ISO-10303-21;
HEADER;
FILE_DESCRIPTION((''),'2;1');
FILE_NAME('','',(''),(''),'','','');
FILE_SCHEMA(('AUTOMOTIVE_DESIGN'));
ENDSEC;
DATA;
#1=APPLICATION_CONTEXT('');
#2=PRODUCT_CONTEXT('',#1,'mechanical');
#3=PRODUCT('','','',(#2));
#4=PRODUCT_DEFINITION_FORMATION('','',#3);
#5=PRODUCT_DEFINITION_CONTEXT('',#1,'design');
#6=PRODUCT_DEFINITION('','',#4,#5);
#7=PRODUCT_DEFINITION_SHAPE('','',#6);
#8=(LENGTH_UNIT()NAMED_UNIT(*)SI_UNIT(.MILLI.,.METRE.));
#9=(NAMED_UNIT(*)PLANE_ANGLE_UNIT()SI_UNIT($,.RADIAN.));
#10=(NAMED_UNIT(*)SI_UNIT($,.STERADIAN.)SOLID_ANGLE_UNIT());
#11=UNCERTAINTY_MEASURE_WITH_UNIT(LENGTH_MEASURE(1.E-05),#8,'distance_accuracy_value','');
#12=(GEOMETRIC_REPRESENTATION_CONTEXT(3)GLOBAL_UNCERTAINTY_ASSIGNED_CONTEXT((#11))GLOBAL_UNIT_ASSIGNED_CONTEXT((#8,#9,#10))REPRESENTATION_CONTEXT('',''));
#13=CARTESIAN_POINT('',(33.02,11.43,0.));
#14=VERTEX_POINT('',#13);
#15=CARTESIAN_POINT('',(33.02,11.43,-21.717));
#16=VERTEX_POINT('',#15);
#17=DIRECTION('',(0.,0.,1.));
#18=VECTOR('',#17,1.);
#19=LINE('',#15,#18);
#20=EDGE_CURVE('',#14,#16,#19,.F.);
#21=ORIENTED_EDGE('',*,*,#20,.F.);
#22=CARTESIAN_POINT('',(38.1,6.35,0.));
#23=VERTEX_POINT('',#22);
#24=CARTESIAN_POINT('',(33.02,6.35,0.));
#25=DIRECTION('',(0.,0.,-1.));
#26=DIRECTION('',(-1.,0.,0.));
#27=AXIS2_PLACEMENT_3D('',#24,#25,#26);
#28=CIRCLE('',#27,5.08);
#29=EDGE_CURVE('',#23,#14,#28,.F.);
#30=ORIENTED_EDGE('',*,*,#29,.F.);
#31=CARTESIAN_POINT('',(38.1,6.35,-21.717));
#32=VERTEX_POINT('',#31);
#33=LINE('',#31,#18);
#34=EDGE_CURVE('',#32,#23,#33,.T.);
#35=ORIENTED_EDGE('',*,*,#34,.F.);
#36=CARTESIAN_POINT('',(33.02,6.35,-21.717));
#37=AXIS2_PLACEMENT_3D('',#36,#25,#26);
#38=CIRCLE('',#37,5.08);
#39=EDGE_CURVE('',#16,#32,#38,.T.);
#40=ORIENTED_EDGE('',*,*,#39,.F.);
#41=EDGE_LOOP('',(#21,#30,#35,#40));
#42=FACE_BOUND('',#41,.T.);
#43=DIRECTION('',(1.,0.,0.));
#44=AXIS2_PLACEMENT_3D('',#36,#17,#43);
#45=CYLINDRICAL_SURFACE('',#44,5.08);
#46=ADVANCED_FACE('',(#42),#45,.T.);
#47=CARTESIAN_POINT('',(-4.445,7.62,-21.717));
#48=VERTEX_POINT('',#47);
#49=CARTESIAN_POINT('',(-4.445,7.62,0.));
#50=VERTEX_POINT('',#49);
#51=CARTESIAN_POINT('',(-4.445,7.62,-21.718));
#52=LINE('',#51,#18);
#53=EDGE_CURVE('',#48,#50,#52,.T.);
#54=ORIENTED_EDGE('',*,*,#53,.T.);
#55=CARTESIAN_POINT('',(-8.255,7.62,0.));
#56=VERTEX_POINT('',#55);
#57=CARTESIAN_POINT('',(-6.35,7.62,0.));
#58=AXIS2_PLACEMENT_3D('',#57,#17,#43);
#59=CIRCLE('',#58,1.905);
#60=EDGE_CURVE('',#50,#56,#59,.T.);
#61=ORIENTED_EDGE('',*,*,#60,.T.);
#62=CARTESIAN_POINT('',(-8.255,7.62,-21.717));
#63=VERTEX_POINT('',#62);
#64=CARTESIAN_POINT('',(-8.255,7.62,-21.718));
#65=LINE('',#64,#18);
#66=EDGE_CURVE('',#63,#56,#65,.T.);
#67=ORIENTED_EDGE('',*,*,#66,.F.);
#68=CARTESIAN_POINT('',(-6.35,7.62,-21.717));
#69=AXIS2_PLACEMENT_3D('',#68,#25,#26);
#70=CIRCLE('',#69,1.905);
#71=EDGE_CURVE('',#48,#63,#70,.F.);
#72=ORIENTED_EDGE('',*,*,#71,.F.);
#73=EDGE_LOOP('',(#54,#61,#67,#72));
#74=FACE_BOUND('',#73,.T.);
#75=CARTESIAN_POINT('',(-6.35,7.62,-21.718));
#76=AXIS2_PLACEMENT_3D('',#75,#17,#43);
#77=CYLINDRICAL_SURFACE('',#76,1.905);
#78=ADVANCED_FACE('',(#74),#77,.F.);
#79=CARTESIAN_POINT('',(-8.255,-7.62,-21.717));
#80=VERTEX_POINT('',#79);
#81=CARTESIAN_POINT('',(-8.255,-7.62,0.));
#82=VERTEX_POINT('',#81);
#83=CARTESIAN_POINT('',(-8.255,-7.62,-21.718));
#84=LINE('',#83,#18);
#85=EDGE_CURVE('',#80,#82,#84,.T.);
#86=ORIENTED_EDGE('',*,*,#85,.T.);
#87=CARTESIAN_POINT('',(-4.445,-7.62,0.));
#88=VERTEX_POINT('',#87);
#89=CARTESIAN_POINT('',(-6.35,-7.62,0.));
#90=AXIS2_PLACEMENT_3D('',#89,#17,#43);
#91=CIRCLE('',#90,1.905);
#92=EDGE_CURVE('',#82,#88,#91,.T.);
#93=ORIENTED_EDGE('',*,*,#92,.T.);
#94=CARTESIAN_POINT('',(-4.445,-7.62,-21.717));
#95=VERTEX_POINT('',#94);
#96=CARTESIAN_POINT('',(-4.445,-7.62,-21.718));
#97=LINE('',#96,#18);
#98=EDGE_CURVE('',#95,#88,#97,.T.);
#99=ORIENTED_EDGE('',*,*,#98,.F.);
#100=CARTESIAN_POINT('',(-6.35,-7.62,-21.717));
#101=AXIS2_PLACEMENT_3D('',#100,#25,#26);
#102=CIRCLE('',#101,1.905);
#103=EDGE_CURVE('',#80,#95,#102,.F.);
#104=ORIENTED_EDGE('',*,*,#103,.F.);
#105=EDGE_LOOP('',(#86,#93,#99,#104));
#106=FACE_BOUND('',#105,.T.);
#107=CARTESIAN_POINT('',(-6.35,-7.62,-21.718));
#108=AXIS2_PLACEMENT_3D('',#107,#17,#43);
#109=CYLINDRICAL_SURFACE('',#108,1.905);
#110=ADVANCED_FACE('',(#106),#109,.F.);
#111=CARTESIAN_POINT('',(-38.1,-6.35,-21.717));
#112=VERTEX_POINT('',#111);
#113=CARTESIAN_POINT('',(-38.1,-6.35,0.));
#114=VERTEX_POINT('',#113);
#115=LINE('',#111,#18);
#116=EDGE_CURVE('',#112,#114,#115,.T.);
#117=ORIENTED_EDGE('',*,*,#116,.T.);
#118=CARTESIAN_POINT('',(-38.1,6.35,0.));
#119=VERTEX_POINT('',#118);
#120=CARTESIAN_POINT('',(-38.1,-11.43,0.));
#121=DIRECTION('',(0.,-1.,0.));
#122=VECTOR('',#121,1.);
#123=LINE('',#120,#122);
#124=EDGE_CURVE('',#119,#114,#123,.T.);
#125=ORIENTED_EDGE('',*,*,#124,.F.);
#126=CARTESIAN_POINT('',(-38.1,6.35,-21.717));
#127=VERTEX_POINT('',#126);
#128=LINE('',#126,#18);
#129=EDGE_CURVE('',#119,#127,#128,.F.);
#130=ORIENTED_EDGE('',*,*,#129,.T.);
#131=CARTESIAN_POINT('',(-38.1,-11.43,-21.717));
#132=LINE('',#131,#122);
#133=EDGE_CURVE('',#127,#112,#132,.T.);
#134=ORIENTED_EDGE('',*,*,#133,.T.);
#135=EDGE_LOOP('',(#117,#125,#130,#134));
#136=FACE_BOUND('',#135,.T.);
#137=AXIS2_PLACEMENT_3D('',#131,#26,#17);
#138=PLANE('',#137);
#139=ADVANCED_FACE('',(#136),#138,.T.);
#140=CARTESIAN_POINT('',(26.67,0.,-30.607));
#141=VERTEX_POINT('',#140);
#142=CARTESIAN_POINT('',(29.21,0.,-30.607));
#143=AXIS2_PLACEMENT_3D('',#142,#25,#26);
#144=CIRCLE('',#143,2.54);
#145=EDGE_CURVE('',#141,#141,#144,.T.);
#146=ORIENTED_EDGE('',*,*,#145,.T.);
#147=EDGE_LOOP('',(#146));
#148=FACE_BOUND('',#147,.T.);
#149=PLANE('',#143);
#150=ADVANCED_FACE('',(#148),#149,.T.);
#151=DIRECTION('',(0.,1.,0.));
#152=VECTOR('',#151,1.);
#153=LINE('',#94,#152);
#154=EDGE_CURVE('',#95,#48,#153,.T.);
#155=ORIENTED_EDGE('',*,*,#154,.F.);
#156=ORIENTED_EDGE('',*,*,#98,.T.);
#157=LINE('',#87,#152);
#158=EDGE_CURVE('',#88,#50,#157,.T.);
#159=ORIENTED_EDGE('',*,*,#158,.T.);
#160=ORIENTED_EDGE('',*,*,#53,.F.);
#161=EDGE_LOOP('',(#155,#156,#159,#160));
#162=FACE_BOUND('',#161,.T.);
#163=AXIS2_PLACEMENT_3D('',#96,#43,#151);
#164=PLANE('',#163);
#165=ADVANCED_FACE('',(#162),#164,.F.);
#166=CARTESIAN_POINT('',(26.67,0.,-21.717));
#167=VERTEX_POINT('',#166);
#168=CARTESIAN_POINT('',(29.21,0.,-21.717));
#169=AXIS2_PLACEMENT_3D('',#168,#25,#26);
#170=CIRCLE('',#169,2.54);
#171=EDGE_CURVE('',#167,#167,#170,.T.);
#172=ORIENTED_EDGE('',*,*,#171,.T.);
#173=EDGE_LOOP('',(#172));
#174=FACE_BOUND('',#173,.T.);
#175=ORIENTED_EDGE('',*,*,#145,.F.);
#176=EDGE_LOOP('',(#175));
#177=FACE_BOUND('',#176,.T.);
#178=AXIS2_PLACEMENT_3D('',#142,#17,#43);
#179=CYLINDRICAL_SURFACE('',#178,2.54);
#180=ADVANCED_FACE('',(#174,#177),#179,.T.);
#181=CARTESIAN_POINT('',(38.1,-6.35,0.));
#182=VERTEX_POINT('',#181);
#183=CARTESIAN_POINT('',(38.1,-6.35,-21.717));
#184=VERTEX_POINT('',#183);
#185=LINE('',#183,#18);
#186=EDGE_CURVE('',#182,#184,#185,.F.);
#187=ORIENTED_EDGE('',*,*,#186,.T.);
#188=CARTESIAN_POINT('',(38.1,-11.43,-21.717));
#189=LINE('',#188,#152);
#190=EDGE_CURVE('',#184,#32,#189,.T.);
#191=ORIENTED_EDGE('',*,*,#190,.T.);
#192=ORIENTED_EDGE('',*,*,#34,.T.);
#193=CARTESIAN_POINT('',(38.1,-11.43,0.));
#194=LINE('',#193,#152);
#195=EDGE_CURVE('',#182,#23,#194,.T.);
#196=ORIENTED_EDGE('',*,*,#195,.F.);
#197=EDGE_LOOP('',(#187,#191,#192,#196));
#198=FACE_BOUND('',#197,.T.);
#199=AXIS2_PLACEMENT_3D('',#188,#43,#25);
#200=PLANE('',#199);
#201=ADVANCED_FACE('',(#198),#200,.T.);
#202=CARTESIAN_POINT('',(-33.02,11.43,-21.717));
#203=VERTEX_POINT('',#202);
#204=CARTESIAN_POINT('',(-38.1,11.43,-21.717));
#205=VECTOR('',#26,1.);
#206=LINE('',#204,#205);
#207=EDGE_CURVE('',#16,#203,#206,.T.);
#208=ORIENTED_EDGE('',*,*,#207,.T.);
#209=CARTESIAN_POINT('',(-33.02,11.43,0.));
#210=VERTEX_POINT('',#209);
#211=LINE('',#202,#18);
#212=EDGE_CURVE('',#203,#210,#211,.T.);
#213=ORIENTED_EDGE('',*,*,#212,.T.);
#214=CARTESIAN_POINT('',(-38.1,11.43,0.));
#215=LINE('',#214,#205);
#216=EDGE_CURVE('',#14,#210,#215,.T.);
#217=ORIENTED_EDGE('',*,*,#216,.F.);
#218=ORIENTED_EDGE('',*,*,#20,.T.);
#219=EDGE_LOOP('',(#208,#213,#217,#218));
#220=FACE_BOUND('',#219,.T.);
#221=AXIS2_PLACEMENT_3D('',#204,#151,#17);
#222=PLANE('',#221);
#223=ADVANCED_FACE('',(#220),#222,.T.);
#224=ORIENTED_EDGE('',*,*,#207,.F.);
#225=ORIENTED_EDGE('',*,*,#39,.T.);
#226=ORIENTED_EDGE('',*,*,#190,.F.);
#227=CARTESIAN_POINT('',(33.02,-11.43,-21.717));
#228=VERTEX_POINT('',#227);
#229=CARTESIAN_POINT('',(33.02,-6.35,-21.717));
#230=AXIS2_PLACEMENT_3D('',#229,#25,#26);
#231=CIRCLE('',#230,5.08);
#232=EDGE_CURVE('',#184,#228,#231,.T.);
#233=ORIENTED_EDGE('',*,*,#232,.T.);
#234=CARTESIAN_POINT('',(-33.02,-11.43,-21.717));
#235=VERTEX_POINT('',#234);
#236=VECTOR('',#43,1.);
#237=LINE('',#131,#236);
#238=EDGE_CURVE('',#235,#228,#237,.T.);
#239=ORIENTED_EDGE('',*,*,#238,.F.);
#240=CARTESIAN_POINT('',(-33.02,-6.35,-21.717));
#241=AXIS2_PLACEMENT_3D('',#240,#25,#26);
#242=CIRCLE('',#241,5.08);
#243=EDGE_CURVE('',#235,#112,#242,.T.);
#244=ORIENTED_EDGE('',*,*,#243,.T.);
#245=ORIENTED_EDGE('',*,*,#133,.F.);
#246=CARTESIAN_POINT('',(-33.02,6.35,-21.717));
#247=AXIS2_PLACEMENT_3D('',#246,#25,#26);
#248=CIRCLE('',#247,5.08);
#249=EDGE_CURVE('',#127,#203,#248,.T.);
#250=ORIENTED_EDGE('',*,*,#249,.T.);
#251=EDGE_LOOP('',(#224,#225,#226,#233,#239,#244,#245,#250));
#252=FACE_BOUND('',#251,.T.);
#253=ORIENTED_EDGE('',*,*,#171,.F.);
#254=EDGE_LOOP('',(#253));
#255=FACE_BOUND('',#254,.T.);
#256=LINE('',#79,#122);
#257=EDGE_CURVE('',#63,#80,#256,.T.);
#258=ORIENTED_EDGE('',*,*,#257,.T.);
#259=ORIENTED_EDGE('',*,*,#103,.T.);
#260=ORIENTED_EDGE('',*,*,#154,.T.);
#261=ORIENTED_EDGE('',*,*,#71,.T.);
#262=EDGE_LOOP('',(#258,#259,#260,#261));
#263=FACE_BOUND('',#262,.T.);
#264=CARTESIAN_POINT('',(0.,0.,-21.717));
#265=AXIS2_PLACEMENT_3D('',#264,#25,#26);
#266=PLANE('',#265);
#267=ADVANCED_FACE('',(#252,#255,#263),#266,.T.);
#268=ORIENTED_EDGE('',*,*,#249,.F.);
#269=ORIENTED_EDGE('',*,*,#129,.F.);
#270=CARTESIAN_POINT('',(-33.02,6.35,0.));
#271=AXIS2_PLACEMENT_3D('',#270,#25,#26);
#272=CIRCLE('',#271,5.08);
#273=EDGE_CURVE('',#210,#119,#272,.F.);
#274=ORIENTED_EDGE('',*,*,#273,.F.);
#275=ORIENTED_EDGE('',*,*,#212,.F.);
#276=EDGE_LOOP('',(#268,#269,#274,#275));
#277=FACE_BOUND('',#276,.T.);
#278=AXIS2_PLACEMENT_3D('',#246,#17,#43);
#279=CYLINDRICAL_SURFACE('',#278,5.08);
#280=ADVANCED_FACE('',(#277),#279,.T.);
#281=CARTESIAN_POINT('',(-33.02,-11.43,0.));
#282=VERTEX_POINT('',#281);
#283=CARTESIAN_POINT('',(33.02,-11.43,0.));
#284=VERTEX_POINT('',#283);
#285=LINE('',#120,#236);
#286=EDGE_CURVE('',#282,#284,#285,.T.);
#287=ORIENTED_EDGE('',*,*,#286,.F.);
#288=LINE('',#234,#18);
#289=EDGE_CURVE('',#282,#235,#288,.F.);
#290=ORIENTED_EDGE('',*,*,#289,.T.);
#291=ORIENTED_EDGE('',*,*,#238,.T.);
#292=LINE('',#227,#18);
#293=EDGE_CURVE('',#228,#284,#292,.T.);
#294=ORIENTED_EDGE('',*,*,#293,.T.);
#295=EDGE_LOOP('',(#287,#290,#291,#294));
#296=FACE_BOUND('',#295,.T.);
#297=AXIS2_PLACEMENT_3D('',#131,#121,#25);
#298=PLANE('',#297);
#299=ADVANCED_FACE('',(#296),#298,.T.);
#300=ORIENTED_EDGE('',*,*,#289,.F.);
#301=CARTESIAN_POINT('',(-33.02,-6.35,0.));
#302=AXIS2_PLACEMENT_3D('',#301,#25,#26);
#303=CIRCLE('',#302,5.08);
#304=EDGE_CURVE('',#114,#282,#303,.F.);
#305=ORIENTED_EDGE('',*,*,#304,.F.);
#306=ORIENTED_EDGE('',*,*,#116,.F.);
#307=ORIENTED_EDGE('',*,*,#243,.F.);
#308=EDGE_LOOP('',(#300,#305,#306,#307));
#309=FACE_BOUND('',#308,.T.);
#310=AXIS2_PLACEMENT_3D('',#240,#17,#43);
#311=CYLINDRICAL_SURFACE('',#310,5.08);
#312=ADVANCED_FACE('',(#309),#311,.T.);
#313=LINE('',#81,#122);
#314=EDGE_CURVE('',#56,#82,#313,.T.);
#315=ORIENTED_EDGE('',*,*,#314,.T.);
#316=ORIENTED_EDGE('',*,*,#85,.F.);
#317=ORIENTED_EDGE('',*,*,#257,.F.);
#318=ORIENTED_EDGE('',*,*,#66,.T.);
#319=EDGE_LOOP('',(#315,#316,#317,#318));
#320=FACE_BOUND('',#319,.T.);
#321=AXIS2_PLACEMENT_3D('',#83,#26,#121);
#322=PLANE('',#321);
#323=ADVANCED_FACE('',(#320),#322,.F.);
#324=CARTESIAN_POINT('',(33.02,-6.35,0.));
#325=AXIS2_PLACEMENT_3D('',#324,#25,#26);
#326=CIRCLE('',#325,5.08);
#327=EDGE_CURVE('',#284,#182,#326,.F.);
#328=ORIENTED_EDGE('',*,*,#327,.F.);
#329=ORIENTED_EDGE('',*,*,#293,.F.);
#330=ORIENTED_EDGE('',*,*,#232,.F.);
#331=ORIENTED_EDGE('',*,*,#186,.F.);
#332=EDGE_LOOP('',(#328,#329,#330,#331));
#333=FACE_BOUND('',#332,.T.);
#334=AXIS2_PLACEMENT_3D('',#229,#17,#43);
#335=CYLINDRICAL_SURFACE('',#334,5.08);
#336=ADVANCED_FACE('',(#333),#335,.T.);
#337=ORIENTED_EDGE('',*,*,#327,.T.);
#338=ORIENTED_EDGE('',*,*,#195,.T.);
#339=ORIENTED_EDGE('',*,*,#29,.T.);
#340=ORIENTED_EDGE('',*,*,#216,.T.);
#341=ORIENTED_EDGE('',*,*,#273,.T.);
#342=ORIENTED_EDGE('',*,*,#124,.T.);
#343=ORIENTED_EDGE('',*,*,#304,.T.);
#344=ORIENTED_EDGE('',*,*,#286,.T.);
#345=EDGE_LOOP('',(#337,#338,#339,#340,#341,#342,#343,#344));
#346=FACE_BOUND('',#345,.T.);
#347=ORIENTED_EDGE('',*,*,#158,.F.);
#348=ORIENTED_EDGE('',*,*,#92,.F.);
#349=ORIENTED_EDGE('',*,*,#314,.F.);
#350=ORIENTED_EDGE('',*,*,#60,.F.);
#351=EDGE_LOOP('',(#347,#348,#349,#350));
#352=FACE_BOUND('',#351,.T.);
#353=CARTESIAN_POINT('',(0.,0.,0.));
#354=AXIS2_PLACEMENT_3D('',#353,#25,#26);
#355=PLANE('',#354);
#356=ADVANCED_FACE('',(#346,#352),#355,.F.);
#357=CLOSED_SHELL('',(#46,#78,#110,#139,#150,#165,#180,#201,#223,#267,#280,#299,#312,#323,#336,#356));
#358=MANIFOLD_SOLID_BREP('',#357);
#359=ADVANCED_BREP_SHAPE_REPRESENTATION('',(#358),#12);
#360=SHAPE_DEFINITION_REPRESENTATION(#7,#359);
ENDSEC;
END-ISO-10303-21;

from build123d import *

# Parameters (mm, degrees)
SKETCH1_W           = 76.2
SKETCH1_H           = 22.86
BOSS_EXTRUDE1_DEPTH = 21.717
CUT_EXTRUDE3_REACH  = 23.717
FILLET1_R           = 5.08
SKETCH3_R           = 2.54
BOSS_EXTRUDE2_DEPTH = 8.89


with BuildPart() as part:
    # Sketch1 → Boss-Extrude1 (new body)
    with BuildSketch(Plane.XY):
        Rectangle(SKETCH1_W, SKETCH1_H)
    extrude(amount=-BOSS_EXTRUDE1_DEPTH)

    # Sketch2 → Cut-Extrude3 (cut, up to next)
    with BuildSketch(Plane.XY, mode=Mode.PRIVATE) as cut_extrude3_sk1:
        with BuildLine():
            Line((-8.255, -7.62), (-8.255, 7.62))
            ThreePointArc((-8.255, 7.62), (-6.35, 9.525), (-4.445, 7.62))
            Line((-4.445, 7.62), (-4.445, -7.62))
            ThreePointArc((-4.445, -7.62), (-6.35, -9.525), (-8.255, -7.62))
        make_face()
    cut_extrude3_tool1 = extrude(cut_extrude3_sk1.sketch, amount=-CUT_EXTRUDE3_REACH, mode=Mode.PRIVATE) & part.part
    add(cut_extrude3_tool1.solids().sort_by_distance((-6.35, 0, 0))[0], mode=Mode.SUBTRACT)

    # Fillet1
    fillet1_edges = [part.edges().sort_by_distance(p)[0] for p in [
        (38.1, -11.43, -10.8585),
        (-38.1, -11.43, -10.8585),
        (-38.1, 11.43, -10.8585),
        (38.1, 11.43, -10.8585),
    ]]
    fillet(fillet1_edges, radius=FILLET1_R)

    # Sketch3 → Boss-Extrude2 (add)
    with BuildSketch(Plane(origin=(0, 0, -21.717), x_dir=(-1, 0, 0), z_dir=(0, 0, -1))):
        with Locations((-29.21, 0)):
            Circle(SKETCH3_R)
    extrude(amount=BOSS_EXTRUDE2_DEPTH)


solid = part.part
